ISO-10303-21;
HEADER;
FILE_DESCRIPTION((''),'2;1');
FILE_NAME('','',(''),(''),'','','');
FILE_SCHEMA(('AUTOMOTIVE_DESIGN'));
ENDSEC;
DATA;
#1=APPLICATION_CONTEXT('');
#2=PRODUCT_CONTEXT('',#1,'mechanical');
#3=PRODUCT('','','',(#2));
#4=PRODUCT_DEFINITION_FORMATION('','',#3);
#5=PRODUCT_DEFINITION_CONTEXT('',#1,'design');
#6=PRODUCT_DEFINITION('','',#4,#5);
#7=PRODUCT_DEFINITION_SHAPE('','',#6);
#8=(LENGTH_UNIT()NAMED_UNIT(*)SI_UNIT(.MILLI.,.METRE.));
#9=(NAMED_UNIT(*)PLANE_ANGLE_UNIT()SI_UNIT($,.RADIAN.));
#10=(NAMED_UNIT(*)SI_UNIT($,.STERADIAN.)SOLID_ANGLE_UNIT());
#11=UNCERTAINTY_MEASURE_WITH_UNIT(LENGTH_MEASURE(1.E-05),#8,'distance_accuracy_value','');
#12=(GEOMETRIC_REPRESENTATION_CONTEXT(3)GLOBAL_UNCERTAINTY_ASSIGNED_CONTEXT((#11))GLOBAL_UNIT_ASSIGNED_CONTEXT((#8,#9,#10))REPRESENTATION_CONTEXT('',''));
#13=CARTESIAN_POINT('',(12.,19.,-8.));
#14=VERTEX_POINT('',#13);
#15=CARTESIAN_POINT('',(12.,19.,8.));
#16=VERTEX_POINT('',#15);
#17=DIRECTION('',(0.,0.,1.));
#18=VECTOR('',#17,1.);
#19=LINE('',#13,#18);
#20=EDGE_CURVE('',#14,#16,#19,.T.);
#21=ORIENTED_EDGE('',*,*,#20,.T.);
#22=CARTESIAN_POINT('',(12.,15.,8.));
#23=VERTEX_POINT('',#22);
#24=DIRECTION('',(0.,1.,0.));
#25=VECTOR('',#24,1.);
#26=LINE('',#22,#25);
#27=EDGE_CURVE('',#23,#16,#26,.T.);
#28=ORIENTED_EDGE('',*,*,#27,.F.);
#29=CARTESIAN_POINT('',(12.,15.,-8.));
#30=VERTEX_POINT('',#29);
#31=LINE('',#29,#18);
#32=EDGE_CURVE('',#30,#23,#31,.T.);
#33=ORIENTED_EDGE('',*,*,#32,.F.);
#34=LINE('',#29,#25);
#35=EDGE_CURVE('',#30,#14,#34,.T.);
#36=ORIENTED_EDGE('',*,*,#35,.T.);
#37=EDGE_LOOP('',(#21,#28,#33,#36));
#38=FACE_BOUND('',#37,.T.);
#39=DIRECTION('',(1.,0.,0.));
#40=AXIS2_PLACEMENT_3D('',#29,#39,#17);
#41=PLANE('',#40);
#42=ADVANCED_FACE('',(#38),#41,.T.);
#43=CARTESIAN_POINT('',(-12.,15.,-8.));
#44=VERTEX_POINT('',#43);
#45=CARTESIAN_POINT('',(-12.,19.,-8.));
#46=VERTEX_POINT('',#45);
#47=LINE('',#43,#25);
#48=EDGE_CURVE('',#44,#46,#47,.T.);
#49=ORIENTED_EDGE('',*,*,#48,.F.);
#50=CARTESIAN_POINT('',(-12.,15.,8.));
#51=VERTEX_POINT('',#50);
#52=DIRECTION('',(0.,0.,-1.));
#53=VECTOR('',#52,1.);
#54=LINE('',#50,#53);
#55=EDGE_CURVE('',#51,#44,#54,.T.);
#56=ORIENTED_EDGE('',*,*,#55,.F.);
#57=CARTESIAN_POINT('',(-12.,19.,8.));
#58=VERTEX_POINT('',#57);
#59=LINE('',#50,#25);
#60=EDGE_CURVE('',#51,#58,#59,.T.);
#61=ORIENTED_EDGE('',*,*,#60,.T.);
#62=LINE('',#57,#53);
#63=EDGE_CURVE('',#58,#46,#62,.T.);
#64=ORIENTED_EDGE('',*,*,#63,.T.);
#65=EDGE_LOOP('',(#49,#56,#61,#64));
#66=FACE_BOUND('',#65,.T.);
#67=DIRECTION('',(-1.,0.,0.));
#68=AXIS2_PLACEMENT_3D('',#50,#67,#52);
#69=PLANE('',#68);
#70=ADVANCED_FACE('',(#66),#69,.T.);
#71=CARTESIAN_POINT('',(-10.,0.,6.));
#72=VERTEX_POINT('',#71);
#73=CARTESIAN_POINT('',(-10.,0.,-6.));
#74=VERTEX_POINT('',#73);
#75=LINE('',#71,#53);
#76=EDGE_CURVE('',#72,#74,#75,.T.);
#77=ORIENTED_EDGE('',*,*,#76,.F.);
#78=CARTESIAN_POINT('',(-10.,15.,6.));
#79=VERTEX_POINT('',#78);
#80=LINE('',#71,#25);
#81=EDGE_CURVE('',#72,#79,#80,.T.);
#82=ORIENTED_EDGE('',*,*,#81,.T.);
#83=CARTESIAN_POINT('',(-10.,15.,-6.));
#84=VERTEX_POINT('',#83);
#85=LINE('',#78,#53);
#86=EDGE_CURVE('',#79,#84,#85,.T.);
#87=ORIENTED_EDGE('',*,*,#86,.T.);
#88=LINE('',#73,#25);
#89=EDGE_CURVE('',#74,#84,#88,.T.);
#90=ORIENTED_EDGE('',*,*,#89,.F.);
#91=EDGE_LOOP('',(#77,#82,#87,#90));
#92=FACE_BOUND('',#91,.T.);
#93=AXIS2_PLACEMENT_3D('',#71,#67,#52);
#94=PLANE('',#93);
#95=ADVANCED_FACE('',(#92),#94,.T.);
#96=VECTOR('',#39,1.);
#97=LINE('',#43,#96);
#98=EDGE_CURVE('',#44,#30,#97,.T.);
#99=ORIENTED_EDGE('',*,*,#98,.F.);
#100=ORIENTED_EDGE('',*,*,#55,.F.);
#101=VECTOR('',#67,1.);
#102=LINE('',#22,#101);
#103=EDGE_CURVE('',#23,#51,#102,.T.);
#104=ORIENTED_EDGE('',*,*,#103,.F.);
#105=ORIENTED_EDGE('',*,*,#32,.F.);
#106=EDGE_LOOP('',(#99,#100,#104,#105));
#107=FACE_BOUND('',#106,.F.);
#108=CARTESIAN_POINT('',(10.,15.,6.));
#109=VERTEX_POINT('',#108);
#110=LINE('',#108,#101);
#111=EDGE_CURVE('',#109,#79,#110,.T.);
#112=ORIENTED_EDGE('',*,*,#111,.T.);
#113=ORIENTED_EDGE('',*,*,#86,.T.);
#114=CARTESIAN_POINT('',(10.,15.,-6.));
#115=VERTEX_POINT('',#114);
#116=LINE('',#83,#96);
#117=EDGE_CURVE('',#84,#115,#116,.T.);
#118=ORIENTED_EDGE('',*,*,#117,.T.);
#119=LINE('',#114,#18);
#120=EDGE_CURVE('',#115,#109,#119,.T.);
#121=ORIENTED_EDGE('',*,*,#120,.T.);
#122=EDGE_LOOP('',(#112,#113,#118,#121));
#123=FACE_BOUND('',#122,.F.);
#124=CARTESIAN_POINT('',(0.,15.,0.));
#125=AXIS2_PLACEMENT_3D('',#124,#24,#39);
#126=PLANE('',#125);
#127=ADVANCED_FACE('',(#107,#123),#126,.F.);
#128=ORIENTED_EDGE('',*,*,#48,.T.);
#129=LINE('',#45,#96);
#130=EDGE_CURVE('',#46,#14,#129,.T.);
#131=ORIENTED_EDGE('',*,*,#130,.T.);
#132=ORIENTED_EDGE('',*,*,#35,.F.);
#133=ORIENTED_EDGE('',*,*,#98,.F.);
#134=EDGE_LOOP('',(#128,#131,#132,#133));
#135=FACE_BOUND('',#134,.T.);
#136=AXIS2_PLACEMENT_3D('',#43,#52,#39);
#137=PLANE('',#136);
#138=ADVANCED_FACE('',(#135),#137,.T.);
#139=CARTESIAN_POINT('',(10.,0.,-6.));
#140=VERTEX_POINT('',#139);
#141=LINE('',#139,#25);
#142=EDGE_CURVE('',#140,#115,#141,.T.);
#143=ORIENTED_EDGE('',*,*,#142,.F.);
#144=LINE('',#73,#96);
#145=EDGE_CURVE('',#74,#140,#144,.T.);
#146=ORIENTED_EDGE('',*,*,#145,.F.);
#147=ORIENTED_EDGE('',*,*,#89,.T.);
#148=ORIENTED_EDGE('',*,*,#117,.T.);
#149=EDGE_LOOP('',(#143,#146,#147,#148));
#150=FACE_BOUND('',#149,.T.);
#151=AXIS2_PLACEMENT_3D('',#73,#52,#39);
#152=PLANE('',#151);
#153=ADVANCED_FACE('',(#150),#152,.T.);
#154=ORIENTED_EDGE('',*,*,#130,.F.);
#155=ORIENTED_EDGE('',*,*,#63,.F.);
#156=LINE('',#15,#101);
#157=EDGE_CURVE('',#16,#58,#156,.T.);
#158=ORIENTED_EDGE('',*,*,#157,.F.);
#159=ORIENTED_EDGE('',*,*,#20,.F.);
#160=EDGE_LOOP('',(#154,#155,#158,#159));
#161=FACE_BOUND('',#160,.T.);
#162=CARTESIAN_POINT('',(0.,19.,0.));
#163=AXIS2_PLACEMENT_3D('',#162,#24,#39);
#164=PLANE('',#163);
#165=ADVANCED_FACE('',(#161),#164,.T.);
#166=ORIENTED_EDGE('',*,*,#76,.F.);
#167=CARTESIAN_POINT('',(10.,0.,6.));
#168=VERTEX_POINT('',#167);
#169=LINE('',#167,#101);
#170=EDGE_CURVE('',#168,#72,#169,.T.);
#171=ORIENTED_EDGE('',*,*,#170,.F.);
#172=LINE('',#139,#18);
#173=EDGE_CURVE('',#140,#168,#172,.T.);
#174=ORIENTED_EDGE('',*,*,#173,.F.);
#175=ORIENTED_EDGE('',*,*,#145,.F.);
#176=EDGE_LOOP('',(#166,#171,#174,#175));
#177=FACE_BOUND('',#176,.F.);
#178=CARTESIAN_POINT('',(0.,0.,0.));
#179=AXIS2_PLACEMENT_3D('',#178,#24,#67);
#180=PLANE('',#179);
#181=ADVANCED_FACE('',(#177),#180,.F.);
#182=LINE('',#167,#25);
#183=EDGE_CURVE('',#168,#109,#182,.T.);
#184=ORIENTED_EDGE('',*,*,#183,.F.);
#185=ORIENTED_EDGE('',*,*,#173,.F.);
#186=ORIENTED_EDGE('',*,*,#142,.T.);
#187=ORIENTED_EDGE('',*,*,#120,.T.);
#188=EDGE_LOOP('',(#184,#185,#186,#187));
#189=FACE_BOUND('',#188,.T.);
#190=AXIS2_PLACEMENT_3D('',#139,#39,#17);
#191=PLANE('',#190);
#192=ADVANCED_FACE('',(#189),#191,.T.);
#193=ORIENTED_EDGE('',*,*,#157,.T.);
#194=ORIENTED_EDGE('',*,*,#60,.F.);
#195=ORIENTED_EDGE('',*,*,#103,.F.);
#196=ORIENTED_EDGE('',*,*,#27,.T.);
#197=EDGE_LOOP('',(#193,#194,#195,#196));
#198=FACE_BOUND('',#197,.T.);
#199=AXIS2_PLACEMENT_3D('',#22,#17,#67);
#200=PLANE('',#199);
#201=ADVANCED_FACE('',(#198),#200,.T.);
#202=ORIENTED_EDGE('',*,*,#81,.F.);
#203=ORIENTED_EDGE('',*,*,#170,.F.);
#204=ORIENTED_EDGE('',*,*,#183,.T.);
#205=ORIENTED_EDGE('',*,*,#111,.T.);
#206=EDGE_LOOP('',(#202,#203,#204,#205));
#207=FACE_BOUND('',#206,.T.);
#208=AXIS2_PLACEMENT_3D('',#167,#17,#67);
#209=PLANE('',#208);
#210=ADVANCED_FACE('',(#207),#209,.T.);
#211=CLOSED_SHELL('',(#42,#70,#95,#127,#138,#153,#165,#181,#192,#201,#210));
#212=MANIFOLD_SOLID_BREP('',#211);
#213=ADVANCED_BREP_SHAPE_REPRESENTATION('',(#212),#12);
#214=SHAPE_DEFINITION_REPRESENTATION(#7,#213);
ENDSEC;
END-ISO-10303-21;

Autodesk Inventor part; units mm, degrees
ref_plane "YZ Plane" through (0, 0, 0) normal (1, 0, 0) x (0, 1, 0)
ref_plane "XZ Plane" through (0, 0, 0) normal (0, 1, 0) x (-1, 0, 0)
ref_plane "XY Plane" through (0, 0, 0) normal (0, 0, 1) x (1, 0, 0)
sketch "Sketch1" plane through (0, 0, 0) normal (0, 1, 0) x (-1, 0, 0)
  line L0 (-10, 6) -> (10, 6)
  line L1 (10, 6) -> (10, -6)
  line L2 (10, -6) -> (-10, -6)
  line L3 (-10, -6) -> (-10, 6)
  line L4 (-10, 6) -> (10, -6) construction
  line L5 (10, 6) -> (-10, -6) construction
  point P0 (0, 0)
  dimension "d0" = 20
  dimension "d1" = 12
extrude "Extrusion1" add sketch "Sketch1" along normal blind 15
sketch "Sketch2" plane through (0, 15, 0) normal (0, 1, 0) x (1, 0, 0)
  line L0 (12, -8) -> (-12, -8)
  line L1 (-12, -8) -> (-12, 8)
  line L2 (-12, 8) -> (12, 8)
  line L3 (12, 8) -> (12, -8)
  line L4 (12, -8) -> (-12, 8) construction
  line L5 (-12, -8) -> (12, 8) construction
  line L6 (10, 6) -> (-10, 6) projected
  line L7 (-10, 6) -> (-10, -6) projected
  point P0 (0, 0)
  dimension "d4" = 2
  dimension "d5" = 2
extrude "Extrusion2" add sketch "Sketch2" along normal blind 4
properties part number "switch"
